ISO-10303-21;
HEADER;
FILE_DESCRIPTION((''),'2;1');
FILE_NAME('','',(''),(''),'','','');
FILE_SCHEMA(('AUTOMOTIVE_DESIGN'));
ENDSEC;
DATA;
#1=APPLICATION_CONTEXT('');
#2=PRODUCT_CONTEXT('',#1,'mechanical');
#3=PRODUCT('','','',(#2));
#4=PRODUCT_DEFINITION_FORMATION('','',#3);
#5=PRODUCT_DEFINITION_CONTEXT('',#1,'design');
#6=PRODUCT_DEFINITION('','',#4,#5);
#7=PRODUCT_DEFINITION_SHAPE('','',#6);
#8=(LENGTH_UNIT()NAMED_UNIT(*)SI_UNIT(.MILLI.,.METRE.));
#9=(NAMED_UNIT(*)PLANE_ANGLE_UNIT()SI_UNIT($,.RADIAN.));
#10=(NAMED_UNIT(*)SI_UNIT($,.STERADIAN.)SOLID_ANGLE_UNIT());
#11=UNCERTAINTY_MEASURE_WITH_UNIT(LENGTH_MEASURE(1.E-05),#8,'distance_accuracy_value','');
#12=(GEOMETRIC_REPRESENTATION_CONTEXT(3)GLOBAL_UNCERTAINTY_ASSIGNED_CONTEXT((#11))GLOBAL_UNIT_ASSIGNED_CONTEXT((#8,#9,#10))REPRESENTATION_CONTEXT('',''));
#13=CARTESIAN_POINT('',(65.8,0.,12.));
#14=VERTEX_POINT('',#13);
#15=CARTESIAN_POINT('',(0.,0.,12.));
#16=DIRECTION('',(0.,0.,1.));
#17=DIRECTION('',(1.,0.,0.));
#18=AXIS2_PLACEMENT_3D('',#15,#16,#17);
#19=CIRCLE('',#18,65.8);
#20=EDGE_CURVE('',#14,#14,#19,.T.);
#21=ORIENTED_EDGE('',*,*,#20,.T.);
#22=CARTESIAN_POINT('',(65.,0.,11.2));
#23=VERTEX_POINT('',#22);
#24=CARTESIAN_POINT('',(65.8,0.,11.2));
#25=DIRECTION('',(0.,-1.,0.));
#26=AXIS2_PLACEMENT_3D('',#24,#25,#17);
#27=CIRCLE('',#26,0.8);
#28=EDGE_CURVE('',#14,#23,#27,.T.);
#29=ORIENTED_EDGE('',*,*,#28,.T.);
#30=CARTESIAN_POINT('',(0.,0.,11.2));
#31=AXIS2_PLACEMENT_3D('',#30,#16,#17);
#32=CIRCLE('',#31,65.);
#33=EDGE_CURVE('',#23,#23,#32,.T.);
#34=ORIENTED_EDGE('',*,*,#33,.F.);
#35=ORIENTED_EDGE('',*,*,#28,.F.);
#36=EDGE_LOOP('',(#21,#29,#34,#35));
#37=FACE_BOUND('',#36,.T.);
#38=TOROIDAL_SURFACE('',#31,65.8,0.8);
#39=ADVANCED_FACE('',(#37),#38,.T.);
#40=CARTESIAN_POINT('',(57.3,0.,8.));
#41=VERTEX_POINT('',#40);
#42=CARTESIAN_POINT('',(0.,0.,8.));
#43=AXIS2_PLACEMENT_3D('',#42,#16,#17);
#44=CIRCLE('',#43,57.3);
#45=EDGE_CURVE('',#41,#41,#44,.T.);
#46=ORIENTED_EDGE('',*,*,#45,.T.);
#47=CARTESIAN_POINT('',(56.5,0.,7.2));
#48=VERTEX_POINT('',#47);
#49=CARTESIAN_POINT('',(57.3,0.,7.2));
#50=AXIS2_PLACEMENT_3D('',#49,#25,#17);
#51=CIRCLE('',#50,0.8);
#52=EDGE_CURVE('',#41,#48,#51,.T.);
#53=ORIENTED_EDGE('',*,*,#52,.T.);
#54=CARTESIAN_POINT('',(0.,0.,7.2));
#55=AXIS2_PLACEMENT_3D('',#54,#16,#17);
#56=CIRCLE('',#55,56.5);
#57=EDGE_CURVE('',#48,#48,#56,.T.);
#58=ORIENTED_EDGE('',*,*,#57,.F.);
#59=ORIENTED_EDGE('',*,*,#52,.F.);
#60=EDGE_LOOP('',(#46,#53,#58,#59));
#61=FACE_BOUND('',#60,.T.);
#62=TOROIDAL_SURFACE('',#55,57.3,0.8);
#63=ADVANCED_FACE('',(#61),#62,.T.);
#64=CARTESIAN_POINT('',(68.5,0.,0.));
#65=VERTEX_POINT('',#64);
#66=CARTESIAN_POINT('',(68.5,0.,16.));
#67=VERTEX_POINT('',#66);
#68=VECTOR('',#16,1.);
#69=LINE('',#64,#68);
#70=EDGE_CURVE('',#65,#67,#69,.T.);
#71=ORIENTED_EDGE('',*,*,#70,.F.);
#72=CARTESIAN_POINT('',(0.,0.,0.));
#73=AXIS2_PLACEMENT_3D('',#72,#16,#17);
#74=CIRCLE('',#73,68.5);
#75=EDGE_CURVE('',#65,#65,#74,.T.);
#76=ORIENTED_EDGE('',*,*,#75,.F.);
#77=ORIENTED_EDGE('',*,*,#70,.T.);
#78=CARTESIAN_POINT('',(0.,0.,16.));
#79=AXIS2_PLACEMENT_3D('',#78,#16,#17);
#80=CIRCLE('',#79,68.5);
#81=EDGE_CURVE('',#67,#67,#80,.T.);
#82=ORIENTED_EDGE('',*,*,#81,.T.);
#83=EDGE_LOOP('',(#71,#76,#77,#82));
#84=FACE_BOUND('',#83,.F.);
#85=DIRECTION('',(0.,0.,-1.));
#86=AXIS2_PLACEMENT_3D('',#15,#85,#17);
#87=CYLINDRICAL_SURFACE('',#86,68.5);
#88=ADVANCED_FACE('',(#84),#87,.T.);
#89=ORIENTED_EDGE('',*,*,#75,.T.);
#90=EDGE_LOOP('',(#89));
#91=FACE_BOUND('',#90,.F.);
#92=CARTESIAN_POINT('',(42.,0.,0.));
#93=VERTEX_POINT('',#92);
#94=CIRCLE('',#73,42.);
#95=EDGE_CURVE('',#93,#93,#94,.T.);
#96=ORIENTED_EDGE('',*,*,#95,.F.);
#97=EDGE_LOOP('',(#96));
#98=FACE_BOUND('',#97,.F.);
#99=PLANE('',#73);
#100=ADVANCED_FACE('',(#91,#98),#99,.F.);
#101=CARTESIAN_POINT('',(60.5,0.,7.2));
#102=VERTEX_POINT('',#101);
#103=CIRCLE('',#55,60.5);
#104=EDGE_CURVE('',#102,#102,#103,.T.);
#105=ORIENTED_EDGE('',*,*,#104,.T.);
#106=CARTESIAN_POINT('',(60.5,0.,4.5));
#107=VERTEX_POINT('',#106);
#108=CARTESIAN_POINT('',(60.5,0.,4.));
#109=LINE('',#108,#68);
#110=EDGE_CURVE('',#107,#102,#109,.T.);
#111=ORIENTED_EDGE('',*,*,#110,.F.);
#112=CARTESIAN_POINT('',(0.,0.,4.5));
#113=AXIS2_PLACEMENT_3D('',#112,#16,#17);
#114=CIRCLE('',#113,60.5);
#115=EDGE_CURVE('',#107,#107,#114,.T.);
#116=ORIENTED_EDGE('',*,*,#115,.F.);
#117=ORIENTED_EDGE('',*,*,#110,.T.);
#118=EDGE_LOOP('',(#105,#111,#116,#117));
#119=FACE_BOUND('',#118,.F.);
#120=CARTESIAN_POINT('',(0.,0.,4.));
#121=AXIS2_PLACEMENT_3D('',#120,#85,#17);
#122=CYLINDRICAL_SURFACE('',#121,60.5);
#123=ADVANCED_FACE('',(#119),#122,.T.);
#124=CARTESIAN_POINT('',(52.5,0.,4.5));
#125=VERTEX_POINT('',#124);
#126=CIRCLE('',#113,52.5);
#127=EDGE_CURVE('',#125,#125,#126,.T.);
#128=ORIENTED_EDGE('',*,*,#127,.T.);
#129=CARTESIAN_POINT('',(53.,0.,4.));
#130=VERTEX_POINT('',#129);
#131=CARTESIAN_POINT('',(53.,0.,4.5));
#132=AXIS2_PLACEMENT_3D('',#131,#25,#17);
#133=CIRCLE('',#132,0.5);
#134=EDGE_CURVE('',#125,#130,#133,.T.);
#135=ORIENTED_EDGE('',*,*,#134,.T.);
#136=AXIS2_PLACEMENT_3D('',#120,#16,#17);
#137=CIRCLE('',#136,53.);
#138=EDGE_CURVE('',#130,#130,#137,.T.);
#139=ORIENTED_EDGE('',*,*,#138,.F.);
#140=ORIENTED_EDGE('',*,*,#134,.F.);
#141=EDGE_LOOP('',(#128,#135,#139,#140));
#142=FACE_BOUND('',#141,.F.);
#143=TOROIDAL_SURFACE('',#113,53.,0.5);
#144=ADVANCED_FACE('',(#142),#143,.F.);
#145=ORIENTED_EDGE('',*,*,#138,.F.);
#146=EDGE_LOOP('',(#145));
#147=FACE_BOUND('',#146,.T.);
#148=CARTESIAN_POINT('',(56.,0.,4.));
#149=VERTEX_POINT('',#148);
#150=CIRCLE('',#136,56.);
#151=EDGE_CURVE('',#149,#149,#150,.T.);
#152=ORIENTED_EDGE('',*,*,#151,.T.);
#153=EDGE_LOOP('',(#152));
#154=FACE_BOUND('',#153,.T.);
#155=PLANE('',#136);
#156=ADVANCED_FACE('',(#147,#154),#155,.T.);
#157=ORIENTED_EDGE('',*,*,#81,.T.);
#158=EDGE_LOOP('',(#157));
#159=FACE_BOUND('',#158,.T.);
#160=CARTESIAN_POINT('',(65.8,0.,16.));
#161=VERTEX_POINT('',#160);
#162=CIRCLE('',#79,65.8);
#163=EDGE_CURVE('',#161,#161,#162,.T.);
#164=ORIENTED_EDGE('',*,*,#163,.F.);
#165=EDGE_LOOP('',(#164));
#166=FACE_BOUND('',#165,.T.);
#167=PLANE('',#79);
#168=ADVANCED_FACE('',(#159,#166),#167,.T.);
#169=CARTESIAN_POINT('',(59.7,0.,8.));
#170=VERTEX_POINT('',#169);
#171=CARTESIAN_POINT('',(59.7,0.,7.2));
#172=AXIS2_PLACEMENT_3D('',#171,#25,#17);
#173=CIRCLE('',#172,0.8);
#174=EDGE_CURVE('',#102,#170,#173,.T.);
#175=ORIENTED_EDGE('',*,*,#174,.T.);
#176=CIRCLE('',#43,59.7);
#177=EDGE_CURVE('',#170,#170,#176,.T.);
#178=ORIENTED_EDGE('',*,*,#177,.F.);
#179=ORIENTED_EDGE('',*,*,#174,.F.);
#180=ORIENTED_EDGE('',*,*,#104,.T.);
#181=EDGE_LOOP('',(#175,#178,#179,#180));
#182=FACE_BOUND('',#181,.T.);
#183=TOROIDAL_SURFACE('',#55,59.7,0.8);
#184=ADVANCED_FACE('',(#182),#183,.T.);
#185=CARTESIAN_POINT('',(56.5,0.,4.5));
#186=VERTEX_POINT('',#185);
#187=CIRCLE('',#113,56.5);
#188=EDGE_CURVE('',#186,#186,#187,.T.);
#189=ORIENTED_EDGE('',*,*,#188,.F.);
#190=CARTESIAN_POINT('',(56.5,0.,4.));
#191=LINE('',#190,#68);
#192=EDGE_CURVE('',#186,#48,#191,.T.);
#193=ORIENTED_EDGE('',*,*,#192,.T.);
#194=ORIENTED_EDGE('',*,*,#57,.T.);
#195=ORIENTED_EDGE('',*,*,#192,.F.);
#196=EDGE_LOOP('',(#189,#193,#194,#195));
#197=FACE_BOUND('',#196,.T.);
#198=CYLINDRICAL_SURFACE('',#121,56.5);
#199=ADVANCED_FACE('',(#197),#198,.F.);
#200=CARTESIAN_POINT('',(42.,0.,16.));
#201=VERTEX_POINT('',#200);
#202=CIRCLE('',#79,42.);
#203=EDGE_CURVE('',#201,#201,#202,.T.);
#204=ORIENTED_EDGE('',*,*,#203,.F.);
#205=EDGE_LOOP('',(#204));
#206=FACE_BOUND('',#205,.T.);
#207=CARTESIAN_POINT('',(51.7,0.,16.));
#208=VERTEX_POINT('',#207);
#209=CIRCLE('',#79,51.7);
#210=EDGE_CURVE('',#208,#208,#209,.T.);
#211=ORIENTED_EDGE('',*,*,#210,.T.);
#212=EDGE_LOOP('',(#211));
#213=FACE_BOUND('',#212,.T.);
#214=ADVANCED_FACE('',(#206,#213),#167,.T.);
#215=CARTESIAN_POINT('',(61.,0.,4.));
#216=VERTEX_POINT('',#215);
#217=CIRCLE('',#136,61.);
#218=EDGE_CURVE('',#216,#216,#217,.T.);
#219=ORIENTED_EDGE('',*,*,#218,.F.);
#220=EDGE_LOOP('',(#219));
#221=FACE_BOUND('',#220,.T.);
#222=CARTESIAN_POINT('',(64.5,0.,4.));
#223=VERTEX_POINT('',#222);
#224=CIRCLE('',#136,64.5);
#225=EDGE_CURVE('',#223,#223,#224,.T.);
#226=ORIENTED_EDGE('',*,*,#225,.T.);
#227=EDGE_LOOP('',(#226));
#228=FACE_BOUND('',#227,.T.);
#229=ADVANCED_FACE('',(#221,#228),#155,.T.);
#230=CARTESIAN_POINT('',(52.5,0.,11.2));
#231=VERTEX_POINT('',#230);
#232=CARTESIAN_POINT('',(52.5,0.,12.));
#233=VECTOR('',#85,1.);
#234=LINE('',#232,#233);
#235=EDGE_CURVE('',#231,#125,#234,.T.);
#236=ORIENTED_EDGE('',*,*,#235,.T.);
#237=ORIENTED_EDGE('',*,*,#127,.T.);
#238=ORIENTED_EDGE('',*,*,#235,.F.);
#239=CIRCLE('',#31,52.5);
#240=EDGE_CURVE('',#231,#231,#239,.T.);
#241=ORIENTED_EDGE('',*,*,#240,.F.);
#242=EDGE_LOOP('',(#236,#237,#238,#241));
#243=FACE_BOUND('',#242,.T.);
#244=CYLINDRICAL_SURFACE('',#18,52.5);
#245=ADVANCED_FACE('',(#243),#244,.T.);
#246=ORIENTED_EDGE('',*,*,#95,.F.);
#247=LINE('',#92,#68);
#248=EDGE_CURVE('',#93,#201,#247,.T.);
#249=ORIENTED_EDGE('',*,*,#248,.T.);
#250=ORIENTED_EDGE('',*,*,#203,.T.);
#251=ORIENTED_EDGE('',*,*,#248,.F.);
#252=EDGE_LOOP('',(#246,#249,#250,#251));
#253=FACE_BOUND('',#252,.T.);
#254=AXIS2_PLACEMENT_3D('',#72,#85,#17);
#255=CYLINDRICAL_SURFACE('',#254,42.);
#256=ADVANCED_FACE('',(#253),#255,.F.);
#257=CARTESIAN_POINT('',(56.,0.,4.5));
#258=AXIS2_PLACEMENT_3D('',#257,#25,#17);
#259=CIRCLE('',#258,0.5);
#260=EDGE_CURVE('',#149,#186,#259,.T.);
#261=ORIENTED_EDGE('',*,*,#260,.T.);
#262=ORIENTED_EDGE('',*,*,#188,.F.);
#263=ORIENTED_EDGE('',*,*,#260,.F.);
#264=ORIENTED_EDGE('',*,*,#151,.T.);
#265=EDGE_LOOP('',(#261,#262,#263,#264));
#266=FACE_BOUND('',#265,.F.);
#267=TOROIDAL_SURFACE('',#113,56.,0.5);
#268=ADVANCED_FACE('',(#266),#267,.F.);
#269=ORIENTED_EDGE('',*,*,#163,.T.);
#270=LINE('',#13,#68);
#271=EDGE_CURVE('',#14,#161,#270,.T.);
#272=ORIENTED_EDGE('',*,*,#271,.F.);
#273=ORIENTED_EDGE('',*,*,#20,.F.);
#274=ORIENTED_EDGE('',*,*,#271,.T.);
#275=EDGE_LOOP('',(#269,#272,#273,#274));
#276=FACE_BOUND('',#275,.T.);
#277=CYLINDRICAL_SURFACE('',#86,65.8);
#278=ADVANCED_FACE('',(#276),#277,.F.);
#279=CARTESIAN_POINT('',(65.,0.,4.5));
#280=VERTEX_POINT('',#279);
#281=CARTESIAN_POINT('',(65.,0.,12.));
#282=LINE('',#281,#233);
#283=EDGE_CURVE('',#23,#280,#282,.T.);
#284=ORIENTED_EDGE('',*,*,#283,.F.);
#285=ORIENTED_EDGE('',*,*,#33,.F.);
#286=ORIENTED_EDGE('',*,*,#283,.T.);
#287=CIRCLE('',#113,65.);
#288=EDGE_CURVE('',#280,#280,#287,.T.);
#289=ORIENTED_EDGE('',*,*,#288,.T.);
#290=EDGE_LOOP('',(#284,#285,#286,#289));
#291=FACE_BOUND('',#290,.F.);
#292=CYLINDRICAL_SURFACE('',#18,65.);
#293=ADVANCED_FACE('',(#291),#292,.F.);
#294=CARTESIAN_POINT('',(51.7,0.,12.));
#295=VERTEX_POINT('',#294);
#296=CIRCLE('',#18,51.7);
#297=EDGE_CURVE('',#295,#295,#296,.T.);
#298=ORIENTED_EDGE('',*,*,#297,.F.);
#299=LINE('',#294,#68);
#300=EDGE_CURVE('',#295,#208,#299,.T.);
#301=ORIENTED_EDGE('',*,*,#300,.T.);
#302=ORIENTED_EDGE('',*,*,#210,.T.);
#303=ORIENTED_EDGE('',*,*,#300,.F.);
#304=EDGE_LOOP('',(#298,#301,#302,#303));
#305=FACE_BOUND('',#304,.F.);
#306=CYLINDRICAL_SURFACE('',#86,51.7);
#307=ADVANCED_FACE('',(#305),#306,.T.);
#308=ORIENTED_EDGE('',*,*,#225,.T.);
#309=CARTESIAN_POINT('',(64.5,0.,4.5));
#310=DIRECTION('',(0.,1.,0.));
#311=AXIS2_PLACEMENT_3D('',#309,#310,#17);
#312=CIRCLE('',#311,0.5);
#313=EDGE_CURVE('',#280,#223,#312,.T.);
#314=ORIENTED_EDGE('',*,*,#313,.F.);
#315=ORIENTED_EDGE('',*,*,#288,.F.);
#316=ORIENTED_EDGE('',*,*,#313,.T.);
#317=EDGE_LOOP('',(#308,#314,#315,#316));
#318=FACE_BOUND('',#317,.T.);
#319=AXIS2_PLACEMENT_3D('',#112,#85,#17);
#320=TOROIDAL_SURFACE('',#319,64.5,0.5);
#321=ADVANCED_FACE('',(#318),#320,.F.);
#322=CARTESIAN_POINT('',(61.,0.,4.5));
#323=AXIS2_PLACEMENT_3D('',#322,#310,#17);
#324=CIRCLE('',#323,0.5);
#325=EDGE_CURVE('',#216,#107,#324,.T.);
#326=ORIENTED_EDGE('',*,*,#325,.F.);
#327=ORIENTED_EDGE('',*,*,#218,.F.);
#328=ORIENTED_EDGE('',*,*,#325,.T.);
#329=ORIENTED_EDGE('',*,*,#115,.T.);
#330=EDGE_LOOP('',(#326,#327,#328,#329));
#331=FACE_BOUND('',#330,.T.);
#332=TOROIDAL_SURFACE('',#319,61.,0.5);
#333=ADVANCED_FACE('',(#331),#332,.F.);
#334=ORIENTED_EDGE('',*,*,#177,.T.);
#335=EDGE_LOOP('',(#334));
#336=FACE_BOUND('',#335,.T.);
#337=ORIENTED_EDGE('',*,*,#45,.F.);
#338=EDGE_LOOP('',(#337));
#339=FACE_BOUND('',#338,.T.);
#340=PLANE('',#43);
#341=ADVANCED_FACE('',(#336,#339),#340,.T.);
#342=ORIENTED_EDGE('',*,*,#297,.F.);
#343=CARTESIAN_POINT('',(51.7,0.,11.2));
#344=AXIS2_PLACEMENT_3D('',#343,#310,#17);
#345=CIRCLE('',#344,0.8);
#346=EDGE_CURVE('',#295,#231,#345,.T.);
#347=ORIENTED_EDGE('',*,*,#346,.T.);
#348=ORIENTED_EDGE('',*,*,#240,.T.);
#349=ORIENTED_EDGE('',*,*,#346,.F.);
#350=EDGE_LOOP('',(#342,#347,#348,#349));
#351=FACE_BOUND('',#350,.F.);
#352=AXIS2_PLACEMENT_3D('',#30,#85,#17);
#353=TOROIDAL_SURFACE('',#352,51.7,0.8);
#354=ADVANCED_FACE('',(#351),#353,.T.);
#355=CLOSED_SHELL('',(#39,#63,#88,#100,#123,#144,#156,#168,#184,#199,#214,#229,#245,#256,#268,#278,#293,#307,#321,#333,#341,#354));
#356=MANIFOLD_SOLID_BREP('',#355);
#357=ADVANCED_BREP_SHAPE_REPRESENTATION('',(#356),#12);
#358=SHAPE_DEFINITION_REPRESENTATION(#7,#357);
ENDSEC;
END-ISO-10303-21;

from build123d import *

# Parameters (mm, degrees)
F0_R      = 68.5
F0_R_2    = 42
F1_DEPTH  = 12
F3_R      = 65
F3_R_2    = 52.5
F4_DEPTH  = 8
F6_R      = 60.5
F6_R_2    = 56.5
F7_DEPTH  = 4
F8_R      = 0.8
F9_R      = 0.5
F10_DEPTH = 4


with BuildPart() as f1:
    # F0 (on Top) → F1 (new body)
    with BuildSketch(Plane.XY):
        Circle(F0_R)
        Circle(F0_R_2, mode=Mode.SUBTRACT)
    extrude(amount=F1_DEPTH)

    # F3 (on offset) → F4 (cut)
    with BuildSketch(Plane.XY.offset(12)):
        Circle(F3_R)
        Circle(F3_R_2, mode=Mode.SUBTRACT)
    extrude(amount=-F4_DEPTH, mode=Mode.SUBTRACT)

    # F6 (on offset) → F7 (join)
    with BuildSketch(Plane.XY.offset(4)):
        Circle(F6_R)
        Circle(F6_R_2, mode=Mode.SUBTRACT)
    extrude(amount=F7_DEPTH)

    # F8
    f8_edges = [f1.edges().sort_by_distance(p)[0] for p in [
        (-60.5, 0, 8),
        (-56.5, 0, 8),
        (-65, 0, 12),
        (-52.5, 0, 12),
    ]]
    fillet(f8_edges, radius=F8_R)

    # F9
    f9_edges = [f1.edges().sort_by_distance(p)[0] for p in [
        (-65, 0, 4),
        (-60.5, 0, 4),
        (-56.5, 0, 4),
        (-52.5, 0, 4),
    ]]
    fillet(f9_edges, radius=F9_R)

    # F10 (add): faces of the model
    f10_faces = [f1.faces().sort_by_distance(p)[0] for p in [
        (-67.7374725805, 0, 12),
        (-50.2377031765, 0, 12),
    ]]
    extrude(f10_faces, amount=F10_DEPTH)


solid = f1.part
